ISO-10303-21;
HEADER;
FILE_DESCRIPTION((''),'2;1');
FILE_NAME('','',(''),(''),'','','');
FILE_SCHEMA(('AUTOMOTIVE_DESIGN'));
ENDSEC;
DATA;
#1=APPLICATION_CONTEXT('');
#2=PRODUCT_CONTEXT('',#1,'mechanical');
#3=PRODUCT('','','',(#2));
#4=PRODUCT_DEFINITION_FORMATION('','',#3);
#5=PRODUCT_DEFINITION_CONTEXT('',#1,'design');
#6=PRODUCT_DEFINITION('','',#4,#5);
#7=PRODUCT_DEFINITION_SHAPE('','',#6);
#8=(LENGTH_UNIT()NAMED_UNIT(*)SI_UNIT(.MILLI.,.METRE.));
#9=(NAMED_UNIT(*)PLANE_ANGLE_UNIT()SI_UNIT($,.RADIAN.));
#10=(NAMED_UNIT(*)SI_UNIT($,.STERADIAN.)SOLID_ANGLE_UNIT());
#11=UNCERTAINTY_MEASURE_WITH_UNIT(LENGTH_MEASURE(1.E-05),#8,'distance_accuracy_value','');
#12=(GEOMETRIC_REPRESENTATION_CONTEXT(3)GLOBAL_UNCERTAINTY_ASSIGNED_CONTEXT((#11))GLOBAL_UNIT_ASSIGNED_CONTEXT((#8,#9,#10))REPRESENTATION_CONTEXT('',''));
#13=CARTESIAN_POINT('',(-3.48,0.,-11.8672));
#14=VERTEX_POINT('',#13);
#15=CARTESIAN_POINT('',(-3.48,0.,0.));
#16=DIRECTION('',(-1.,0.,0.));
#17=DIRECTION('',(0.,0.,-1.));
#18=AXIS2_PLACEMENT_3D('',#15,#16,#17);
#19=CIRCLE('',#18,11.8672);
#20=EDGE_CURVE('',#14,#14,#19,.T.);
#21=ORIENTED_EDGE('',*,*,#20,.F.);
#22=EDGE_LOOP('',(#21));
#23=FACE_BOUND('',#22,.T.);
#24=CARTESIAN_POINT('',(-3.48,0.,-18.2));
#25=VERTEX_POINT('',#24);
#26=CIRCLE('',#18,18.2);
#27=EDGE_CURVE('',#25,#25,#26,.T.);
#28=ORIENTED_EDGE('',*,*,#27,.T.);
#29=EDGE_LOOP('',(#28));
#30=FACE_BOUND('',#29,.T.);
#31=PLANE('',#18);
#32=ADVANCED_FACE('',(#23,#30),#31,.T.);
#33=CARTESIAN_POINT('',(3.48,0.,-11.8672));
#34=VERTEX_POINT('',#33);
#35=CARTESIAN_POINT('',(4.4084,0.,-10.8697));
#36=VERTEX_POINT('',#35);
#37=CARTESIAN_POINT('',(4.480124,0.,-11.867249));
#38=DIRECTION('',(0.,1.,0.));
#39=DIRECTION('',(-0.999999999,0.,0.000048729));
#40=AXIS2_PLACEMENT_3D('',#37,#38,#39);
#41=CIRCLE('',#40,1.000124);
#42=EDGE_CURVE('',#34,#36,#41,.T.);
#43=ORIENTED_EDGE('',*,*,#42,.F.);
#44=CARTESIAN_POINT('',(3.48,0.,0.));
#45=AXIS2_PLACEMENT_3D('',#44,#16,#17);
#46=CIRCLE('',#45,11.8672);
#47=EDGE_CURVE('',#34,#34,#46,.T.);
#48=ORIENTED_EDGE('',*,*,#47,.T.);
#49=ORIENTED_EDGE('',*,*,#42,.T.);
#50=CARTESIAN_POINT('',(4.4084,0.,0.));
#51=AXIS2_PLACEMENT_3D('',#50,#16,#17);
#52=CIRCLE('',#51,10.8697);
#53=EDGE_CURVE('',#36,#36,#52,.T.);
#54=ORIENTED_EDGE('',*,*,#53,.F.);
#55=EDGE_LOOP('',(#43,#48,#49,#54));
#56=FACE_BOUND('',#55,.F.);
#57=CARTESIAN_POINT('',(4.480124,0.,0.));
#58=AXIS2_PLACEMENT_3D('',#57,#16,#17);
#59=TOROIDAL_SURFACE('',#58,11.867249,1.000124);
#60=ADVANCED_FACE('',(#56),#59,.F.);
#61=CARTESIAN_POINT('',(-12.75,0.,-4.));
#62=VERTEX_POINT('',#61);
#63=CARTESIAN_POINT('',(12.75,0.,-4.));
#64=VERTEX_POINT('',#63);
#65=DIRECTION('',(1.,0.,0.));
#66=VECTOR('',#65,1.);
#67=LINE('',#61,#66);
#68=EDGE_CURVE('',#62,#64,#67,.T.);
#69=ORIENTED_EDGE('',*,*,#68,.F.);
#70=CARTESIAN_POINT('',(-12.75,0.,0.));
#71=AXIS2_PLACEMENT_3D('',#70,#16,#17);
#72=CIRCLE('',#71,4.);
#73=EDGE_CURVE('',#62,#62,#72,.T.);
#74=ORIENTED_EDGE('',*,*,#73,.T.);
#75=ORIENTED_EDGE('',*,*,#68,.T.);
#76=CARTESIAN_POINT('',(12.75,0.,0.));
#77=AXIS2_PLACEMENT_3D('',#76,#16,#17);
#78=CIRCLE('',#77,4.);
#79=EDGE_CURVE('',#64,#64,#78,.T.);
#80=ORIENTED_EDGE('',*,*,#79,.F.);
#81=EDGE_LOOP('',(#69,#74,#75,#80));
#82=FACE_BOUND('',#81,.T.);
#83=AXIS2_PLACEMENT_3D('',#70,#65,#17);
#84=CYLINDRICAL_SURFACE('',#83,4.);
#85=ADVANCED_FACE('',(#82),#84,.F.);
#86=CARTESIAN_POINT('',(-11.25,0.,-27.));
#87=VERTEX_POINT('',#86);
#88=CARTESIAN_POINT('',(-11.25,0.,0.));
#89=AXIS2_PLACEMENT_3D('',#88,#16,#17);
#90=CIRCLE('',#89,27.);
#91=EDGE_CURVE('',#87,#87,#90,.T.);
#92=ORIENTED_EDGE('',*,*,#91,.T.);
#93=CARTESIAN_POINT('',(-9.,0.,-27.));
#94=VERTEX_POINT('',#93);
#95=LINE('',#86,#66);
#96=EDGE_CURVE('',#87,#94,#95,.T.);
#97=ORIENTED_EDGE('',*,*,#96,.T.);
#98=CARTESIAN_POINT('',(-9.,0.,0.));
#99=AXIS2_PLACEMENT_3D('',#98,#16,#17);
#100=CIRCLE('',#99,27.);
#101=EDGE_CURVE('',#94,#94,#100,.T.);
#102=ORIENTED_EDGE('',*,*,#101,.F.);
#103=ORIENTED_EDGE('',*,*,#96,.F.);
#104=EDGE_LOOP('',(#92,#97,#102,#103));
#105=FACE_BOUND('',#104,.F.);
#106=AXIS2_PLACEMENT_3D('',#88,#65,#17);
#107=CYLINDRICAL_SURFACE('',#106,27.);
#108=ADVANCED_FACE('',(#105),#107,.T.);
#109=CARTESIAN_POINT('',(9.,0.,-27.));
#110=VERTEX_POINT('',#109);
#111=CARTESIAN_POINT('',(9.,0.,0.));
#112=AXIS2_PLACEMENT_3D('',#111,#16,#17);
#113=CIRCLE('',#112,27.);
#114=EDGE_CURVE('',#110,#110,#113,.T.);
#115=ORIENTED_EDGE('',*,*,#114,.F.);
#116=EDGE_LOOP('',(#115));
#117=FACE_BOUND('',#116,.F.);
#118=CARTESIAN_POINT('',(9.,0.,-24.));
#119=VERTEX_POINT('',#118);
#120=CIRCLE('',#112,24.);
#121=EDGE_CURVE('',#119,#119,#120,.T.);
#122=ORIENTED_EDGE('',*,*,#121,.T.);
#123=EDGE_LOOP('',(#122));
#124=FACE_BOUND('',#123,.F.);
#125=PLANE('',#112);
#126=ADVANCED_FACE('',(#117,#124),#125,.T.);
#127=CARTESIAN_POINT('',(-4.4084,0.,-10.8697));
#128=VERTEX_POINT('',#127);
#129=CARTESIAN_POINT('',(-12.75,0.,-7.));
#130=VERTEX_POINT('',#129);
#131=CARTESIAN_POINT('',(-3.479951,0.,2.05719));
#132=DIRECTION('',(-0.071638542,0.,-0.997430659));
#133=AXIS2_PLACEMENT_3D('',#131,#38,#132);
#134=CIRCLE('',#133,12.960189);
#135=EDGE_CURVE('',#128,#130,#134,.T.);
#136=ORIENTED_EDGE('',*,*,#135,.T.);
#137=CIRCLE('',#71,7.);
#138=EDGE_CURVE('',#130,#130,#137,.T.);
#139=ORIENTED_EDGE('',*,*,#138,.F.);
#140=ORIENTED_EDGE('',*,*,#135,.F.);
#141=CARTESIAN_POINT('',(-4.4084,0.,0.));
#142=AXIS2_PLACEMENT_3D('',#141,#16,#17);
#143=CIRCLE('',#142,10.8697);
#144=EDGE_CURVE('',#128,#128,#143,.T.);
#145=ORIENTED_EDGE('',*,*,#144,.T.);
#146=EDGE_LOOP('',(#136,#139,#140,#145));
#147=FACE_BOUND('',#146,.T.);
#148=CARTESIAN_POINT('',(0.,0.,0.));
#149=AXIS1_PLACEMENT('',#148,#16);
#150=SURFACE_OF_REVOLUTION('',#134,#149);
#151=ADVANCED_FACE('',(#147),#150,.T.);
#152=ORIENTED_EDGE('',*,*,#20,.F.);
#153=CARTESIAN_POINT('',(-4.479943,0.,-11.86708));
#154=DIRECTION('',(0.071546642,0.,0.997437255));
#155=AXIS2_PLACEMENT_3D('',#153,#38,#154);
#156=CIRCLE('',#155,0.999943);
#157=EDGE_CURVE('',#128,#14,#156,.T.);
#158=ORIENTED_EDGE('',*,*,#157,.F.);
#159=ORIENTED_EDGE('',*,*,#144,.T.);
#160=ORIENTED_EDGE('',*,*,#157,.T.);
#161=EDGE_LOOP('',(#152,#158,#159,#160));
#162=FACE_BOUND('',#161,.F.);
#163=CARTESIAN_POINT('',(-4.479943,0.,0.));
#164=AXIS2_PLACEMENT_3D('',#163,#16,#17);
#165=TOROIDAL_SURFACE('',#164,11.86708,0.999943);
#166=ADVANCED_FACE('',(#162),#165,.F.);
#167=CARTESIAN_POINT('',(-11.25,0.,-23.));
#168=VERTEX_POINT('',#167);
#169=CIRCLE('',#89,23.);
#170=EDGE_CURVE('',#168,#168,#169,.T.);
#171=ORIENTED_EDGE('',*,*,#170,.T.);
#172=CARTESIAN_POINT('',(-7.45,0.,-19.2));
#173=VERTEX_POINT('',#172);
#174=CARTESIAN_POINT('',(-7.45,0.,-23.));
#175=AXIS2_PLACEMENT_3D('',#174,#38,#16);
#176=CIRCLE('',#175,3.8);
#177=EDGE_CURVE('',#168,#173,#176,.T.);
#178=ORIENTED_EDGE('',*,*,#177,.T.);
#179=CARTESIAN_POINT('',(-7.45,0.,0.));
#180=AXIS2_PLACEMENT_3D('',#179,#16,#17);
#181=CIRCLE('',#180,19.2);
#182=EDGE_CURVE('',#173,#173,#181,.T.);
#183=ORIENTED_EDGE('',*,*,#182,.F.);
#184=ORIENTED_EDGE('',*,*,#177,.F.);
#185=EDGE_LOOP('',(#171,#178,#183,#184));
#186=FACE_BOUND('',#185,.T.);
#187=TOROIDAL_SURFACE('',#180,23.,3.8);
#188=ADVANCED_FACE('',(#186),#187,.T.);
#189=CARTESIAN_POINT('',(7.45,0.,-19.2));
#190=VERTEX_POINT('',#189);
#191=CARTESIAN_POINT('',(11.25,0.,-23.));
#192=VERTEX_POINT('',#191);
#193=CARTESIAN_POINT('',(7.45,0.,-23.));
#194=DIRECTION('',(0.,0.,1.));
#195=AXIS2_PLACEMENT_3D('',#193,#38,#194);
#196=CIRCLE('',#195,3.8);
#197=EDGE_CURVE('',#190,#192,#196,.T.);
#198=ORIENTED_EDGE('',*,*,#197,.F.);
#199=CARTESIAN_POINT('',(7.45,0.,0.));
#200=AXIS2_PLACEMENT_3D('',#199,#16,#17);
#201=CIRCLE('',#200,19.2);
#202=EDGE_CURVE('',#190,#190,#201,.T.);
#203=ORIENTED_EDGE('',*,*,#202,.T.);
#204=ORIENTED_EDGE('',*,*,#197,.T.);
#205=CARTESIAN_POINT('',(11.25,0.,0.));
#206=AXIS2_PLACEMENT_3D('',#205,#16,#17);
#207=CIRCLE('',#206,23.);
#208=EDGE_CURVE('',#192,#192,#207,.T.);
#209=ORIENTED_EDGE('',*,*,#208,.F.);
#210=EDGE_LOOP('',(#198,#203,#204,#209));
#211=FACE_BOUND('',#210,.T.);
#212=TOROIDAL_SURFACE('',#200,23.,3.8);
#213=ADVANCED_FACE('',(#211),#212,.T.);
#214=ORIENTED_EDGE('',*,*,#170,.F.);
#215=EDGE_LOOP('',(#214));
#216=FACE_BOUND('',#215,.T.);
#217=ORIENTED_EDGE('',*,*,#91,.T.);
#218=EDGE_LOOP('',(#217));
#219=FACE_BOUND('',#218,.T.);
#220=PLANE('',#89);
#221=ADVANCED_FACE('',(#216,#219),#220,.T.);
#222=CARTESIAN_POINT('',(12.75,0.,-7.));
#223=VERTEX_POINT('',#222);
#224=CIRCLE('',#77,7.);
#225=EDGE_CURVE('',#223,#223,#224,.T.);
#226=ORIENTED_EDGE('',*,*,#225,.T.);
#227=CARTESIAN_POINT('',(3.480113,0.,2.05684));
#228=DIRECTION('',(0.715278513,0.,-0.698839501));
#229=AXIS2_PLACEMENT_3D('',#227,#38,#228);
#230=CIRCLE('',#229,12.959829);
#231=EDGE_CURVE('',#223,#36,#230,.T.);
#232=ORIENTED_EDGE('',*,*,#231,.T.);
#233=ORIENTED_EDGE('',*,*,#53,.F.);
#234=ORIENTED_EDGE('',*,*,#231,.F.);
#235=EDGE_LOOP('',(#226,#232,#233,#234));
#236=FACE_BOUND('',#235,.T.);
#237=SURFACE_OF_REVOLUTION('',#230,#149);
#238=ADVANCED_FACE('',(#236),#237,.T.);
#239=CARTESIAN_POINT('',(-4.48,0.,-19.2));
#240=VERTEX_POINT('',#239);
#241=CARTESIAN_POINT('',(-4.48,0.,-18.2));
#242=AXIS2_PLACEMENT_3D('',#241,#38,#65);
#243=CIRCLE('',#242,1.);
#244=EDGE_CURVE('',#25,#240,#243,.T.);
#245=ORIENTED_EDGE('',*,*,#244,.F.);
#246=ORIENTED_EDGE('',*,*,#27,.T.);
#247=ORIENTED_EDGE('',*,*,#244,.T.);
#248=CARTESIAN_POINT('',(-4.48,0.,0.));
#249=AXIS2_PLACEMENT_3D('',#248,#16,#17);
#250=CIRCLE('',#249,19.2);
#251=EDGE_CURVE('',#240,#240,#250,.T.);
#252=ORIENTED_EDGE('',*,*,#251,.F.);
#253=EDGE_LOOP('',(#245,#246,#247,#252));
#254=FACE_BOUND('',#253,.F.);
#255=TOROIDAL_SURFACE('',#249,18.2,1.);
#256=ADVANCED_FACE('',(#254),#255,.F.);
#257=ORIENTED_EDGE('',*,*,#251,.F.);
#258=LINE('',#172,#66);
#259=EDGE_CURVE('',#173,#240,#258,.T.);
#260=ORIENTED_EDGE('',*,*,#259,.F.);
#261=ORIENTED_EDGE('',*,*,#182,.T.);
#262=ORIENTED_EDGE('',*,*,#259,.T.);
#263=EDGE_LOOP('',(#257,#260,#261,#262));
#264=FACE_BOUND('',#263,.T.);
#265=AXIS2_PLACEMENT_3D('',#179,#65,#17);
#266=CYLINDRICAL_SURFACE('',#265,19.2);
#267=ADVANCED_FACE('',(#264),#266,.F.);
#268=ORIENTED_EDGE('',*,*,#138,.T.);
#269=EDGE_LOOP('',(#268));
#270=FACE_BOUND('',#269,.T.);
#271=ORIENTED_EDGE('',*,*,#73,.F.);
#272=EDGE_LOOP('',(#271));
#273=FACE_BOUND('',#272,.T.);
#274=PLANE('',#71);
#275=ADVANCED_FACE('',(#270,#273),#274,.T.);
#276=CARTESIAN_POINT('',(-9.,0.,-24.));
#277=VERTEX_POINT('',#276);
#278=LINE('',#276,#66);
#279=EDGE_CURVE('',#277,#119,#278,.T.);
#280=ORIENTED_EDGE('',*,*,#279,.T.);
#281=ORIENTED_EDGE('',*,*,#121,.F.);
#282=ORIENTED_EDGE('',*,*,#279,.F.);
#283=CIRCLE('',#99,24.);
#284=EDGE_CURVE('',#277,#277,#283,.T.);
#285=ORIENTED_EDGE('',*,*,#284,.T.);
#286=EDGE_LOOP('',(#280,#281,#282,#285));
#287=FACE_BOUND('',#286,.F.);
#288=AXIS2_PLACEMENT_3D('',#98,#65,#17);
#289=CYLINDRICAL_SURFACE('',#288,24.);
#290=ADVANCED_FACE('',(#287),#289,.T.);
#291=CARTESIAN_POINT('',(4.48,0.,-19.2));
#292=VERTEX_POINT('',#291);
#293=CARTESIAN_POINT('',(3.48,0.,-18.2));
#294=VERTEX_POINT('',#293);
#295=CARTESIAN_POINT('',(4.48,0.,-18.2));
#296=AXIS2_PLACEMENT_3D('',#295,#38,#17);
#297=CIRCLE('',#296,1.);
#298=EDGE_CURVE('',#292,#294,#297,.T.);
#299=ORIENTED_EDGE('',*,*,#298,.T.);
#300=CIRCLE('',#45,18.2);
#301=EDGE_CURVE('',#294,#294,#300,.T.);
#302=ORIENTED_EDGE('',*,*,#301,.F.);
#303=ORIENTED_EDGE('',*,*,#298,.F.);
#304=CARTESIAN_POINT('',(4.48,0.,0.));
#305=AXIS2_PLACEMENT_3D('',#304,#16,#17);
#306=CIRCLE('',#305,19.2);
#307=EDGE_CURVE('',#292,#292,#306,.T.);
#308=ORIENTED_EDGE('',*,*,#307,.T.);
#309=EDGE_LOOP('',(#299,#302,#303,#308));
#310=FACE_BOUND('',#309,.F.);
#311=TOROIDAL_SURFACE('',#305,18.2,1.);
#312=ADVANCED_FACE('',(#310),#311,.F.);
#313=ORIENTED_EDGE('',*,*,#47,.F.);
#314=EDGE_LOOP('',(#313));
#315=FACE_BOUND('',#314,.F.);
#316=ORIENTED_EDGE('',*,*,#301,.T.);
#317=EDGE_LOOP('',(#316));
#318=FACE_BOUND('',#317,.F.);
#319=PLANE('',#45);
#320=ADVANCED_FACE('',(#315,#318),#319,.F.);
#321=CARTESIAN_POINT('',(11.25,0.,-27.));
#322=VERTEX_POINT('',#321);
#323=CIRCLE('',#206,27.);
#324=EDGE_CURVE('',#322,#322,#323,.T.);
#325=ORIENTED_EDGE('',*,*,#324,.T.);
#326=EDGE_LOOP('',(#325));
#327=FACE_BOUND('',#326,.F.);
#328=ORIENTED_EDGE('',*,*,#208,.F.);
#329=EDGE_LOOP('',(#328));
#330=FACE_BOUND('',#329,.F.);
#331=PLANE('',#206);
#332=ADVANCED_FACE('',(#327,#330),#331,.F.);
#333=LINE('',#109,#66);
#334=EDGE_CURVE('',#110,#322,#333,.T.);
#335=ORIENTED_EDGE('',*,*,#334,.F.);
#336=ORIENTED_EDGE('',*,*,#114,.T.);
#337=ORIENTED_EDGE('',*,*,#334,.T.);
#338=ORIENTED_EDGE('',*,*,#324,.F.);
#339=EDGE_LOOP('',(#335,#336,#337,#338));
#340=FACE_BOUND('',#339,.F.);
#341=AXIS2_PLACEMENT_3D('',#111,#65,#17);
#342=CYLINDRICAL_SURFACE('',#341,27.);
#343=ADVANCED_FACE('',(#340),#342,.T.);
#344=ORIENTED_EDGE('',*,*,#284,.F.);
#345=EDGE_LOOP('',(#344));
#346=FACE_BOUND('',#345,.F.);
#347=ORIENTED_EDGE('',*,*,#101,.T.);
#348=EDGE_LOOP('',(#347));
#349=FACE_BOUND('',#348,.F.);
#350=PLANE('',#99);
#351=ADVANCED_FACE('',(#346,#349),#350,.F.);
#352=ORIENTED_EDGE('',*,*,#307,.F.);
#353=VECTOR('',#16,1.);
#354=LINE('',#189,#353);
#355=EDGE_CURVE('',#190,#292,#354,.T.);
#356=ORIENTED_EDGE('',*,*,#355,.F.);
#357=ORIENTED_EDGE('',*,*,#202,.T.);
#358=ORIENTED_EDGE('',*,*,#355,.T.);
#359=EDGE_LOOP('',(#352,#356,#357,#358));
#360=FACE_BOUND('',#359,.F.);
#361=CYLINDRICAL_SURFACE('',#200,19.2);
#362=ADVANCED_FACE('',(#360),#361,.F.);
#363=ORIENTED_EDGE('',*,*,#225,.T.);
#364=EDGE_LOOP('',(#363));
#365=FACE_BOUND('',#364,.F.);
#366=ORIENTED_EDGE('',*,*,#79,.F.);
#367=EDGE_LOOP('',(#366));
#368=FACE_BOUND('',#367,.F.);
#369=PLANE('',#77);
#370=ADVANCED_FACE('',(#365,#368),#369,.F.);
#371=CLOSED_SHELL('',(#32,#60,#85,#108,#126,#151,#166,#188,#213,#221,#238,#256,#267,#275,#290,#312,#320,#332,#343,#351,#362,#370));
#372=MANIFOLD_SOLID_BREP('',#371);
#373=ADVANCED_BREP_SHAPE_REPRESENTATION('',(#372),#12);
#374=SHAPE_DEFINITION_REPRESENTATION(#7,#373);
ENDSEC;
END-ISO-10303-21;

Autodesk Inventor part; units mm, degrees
ref_plane "YZ Plane" through (0, 0, 0) normal (1, 0, 0) x (0, 1, 0)
ref_plane "XZ Plane" through (0, 0, 0) normal (0, 1, 0) x (-1, 0, 0)
ref_plane "XY Plane" through (0, 0, 0) normal (0, 0, 1) x (1, 0, 0)
sketch "Sketch1" plane through (0, 0, 0) normal (0, 1, 0) x (-1, 0, 0)
  line L0 (11.25, -27) -> (9, -27)
  line L1 (9, -27) -> (9, -24)
  line L2 (9, -24) -> (-9, -24)
  line L3 (-9, -24) -> (-9, -27)
  line L4 (-9, -27) -> (-11.25, -27)
  line L5 (-11.25, -27) -> (-11.25, -23)
  arc A0 (-7.45, -19.2) -> (-11.25, -23) centre (-7.45, -23) ccw
  line L6 (-7.45, -19.2) -> (-4.48, -19.2)
  line L7 (-3.48, -18.2) -> (-3.48, -11.8672)
  line L8 (0, 0) -> (0, -6.0117) construction
  line L9 (0, 0) -> (7.1191, 0) construction
  line L10 (11.25, -27) -> (11.25, -23)
  arc A1 (11.25, -23) -> (7.45, -19.2) centre (7.45, -23) ccw
  line L11 (7.45, -19.2) -> (4.48, -19.2)
  line L12 (3.48, -18.2) -> (3.48, -11.8672)
  arc A2 (4.4084, -10.8697) -> (12.75, -7) centre (3.48, 2.057) ccw
  line L13 (12.75, -7) -> (12.75, -4)
  line L14 (12.75, -4) -> (-12.75, -4)
  arc A3 (-12.75, -7) -> (-4.4084, -10.8697) centre (-3.48, 2.057) ccw
  line L15 (-12.75, -7) -> (-12.75, -4)
  arc A4 (4.4084, -10.8697) -> (3.48, -11.8672) centre (4.48, -11.8672) ccw
  arc A5 (3.48, -18.2) -> (4.48, -19.2) centre (4.48, -18.2) ccw
  arc A6 (-3.48, -11.8672) -> (-4.4084, -10.8697) centre (-4.48, -11.8672) ccw
  arc A7 (-4.48, -19.2) -> (-3.48, -18.2) centre (-4.48, -18.2) ccw
  point P0 (-3.48, -19.2)
  point P1 (-3.48, -10.903)
  point P2 (3.48, -19.2)
  point P3 (3.48, -10.903)
  dimension "d0" = 22.5
  dimension "d2" = 2.25
  dimension "d6" = 3
  dimension "d7" = 24
  dimension "d8" = 4.8
  dimension "d9" = 3.8
  dimension "d10" = 6.96
  dimension "d11" = 12.96
  dimension "d12" = 4
  dimension "d13" = 3
  dimension "d15" = 1.5
  dimension "d16" = 1
  dimension "d17" = 25.5
revolve "Revolution1" add sketch "Sketch1" angle 360 about axis through (0, 0, 0) along (-1, 0, 0)
equation "\"d0\" = d1 + 2 * d5"
equation "\"d2\" = 2 * d5"
equation "\"d6\" = d4"
equation "\"d7\" = d3"
equation "\"d8\" = 0.2 * d7"
equation "\"d10\" = 0.29 * d7"
equation "\"d11\" = 0.54 * d7"
equation "\"d13\" = d6"
equation "\"d1\" = 20.25"
equation "\"d5\" = 1.125"
equation "\"d4\" = 3"
equation "\"d3\" = 24"
properties part number "Wheel 75 mm - Part 2" material "Polypropylene"
